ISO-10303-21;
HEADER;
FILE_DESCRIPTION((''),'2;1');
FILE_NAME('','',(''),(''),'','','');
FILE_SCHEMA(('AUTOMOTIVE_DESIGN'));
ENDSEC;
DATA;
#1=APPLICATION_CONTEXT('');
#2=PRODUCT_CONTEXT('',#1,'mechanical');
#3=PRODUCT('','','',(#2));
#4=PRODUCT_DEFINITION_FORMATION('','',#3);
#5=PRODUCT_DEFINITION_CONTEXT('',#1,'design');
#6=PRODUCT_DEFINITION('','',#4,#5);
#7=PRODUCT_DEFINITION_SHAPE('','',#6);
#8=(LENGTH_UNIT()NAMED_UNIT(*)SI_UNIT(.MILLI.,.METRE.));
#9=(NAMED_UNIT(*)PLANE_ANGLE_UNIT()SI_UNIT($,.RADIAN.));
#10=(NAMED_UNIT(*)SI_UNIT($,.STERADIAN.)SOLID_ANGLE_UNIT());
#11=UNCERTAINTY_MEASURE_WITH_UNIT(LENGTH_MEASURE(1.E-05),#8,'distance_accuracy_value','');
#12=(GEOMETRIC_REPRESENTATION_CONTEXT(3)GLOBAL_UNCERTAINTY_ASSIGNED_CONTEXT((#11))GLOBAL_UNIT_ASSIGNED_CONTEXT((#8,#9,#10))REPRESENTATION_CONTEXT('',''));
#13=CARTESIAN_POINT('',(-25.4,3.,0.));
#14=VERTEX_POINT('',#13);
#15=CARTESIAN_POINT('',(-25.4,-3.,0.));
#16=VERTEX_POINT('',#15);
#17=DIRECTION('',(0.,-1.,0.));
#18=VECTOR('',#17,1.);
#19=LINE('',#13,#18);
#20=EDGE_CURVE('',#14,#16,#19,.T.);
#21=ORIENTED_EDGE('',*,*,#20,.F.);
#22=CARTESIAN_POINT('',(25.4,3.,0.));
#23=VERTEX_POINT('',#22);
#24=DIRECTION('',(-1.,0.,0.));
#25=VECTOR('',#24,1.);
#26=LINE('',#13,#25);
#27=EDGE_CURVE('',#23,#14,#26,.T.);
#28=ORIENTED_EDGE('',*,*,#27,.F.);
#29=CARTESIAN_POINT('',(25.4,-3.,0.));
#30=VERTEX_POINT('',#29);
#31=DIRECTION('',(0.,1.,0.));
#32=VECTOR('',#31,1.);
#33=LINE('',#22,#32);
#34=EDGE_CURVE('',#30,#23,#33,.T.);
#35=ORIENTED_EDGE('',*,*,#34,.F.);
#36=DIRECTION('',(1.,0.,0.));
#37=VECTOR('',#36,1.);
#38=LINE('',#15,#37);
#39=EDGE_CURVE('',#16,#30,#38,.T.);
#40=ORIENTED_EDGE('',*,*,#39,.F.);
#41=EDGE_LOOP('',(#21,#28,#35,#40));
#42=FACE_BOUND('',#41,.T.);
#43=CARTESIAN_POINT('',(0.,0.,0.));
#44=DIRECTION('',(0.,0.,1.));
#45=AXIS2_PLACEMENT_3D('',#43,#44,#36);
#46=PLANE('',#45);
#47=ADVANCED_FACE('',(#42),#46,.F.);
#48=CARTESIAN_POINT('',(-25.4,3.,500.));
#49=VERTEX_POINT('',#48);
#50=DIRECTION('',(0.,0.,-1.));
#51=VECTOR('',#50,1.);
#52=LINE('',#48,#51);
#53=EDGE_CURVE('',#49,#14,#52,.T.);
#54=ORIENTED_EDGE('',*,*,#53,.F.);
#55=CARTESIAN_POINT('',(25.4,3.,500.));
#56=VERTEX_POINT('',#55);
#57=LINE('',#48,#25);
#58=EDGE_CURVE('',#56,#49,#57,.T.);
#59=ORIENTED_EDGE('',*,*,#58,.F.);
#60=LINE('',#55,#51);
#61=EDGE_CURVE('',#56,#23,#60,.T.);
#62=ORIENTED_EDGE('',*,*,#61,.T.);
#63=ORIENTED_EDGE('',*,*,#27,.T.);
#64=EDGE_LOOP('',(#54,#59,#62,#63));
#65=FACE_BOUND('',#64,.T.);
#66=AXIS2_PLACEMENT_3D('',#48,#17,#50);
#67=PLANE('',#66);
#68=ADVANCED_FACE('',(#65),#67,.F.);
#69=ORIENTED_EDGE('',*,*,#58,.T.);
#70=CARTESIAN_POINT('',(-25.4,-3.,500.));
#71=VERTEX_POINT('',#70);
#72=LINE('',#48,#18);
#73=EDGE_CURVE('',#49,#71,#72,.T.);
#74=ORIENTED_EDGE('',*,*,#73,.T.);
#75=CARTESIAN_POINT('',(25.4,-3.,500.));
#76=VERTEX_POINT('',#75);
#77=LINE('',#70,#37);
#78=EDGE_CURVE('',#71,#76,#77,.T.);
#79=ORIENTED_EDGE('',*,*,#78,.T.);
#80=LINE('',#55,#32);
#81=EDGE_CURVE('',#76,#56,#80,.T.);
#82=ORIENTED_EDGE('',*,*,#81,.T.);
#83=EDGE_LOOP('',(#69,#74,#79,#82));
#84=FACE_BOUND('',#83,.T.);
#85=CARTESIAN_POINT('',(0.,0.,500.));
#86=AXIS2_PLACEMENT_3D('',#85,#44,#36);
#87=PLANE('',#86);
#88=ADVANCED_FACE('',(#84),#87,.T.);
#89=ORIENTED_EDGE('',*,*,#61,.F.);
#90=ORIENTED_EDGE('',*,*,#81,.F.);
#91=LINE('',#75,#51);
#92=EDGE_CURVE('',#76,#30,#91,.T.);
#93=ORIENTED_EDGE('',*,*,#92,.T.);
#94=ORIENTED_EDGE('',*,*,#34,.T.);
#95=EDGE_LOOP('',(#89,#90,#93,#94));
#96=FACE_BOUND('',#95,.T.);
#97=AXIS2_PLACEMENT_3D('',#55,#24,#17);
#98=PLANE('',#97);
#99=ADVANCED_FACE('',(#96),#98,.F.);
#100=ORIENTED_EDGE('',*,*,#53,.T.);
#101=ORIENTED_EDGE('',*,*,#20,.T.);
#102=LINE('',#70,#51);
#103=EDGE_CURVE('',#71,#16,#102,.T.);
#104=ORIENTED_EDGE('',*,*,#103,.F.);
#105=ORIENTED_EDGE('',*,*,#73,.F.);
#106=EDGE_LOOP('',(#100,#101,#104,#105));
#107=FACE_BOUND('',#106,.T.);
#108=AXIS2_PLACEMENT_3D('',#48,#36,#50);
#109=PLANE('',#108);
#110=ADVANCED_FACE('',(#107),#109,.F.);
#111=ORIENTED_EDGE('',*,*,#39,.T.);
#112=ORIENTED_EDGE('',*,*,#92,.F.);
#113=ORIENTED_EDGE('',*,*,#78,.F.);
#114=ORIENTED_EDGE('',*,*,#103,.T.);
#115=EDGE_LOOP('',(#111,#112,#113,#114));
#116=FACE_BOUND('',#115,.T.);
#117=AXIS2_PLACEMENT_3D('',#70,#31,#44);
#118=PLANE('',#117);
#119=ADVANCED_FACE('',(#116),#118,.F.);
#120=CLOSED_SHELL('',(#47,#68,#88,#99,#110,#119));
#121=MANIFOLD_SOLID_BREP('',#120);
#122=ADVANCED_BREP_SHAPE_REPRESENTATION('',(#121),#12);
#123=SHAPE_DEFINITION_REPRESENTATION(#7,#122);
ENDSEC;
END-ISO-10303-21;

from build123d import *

# Parameters (mm, degrees)
CROQUIS1_W              = 50.8
CROQUIS1_H              = 6
SALIENTE_EXTRUIR1_DEPTH = 500


with BuildPart() as part:
    # Croquis1 → Saliente-Extruir1 (new body)
    with BuildSketch(Plane.XY):
        Rectangle(CROQUIS1_W, CROQUIS1_H)
    extrude(amount=SALIENTE_EXTRUIR1_DEPTH)


solid = part.part
